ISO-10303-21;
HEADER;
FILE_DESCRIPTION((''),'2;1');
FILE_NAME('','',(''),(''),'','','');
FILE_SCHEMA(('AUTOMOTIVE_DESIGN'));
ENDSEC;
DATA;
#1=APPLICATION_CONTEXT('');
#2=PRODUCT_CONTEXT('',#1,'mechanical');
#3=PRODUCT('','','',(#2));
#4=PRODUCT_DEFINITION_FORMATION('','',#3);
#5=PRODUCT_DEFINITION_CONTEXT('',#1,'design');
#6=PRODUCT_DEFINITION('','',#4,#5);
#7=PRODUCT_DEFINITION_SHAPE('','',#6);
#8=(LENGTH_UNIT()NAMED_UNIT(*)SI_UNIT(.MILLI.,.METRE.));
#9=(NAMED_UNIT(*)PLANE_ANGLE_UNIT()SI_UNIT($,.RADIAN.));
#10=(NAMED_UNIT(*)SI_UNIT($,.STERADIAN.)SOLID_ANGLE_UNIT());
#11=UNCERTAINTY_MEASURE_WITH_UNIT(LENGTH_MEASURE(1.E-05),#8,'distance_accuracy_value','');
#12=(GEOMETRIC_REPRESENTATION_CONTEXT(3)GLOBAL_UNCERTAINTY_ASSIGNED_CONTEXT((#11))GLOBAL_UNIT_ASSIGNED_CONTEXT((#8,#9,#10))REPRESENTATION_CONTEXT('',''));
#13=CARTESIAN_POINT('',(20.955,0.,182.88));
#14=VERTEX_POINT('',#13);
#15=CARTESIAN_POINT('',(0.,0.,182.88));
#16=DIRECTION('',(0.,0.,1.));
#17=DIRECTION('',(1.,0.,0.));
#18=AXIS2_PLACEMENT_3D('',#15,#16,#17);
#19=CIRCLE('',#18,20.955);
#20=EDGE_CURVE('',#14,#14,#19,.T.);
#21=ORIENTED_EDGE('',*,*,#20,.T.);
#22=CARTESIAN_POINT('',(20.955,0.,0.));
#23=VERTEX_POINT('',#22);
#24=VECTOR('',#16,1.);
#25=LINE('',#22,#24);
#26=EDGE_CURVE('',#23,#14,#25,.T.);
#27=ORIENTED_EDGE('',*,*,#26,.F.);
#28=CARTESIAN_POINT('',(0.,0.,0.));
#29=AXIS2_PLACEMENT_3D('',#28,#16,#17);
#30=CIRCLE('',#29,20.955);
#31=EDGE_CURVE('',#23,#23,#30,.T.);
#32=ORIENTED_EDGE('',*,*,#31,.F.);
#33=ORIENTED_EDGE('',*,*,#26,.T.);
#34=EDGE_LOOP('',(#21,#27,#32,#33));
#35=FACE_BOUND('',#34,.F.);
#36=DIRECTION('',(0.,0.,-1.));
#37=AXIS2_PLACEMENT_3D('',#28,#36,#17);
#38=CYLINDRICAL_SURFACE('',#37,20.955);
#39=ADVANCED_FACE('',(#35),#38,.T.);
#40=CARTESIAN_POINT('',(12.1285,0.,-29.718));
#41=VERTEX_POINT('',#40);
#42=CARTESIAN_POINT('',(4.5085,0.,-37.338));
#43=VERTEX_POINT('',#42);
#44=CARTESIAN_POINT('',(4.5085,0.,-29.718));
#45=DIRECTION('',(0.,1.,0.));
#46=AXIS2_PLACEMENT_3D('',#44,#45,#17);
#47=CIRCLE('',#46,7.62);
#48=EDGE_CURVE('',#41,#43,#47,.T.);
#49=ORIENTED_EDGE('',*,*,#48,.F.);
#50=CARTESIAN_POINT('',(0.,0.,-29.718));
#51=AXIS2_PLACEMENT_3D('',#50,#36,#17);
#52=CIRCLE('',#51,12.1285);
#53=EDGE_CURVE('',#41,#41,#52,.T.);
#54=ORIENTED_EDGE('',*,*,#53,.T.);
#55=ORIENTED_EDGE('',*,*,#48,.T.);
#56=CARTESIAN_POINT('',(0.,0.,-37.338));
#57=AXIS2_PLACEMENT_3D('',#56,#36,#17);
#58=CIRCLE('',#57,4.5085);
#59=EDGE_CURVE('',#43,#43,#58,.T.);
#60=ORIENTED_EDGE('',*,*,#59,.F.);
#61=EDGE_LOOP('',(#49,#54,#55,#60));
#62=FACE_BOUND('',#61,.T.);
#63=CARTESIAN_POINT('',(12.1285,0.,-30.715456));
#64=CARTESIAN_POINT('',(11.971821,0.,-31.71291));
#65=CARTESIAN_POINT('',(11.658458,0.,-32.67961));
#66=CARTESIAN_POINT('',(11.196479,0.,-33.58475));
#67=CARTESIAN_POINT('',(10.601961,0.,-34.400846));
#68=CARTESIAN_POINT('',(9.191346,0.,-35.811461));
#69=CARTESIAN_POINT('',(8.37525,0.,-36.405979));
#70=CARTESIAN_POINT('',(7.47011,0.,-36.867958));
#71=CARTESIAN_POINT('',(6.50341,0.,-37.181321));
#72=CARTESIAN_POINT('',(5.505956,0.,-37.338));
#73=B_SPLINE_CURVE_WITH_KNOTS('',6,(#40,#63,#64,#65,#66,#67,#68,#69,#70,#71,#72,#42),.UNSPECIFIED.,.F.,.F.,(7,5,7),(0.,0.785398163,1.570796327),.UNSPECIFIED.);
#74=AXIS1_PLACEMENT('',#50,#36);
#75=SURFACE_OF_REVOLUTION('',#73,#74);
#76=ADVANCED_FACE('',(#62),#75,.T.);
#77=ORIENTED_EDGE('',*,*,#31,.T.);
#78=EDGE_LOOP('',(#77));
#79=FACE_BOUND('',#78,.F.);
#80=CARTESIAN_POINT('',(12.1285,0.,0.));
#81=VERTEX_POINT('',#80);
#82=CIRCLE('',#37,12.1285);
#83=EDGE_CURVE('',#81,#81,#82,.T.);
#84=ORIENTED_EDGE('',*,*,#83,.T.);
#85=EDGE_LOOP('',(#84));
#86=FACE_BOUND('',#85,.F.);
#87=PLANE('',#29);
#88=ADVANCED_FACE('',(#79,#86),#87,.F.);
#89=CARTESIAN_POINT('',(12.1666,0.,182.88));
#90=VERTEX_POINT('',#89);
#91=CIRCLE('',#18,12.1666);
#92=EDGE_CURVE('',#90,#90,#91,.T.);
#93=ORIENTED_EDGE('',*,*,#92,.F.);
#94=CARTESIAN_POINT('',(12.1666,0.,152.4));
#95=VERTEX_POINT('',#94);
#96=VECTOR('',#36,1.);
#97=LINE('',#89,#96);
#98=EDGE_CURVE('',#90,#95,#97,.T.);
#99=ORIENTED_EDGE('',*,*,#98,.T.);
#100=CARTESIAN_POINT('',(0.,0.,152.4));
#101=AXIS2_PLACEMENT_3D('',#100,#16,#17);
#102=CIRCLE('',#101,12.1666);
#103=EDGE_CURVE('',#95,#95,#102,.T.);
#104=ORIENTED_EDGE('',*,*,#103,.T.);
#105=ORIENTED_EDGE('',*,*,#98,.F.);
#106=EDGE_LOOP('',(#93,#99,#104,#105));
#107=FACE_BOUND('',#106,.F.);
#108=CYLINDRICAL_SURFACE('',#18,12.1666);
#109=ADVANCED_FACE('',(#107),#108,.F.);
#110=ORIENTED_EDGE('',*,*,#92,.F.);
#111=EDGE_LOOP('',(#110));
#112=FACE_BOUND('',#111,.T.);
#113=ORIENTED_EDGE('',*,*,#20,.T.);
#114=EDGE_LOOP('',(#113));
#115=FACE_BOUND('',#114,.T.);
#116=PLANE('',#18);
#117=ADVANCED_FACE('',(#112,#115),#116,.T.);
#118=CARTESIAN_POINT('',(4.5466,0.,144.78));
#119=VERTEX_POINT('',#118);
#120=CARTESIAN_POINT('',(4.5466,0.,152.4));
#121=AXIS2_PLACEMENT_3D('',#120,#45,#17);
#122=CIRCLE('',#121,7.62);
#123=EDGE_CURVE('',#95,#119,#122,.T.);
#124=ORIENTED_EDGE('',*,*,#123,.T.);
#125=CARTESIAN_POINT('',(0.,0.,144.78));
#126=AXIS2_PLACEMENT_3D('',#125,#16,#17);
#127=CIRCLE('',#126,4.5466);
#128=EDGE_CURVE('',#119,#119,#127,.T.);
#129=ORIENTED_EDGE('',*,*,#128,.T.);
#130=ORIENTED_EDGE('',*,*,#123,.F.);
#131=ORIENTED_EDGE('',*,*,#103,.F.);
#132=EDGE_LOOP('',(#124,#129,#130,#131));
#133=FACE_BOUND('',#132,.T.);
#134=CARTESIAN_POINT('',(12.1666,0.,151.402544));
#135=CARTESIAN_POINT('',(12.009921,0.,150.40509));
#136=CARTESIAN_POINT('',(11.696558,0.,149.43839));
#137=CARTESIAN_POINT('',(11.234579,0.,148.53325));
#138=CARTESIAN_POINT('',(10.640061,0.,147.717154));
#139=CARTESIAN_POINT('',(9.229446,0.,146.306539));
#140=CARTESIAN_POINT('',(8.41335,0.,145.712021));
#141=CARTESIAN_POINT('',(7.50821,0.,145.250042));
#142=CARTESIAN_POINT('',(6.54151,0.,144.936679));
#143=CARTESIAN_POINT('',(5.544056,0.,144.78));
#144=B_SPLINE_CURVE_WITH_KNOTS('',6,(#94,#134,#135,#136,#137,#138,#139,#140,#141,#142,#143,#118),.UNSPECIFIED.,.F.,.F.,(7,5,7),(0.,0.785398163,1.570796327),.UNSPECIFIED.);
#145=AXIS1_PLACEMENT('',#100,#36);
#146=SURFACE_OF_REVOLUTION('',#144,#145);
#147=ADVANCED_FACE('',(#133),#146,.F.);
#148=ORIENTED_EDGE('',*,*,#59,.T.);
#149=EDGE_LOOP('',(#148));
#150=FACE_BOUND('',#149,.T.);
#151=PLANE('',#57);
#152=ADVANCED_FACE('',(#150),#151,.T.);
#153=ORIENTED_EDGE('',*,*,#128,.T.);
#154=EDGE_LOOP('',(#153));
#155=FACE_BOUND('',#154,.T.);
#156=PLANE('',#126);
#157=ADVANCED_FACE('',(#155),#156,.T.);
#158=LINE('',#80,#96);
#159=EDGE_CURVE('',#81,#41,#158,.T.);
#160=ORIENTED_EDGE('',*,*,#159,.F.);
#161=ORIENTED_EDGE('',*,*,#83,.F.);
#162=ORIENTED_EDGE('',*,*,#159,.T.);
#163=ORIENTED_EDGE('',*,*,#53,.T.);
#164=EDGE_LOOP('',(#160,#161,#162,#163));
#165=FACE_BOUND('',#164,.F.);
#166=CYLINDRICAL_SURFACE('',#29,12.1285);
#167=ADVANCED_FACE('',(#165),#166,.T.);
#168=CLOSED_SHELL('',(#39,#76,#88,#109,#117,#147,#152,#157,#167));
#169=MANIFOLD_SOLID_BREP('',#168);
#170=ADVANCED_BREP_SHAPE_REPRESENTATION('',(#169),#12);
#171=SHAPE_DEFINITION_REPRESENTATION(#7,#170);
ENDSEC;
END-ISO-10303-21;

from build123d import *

# Parameters (mm, degrees)
F0_R     = 20.955
F1_DEPTH = 182.88
F2_R     = 12.1285
F3_DEPTH = 37.338
F4_R     = 7.62
F5_R     = 12.1666
F6_DEPTH = 38.1
F7_R     = 7.62


with BuildPart() as f1:
    # F0 (on Top) → F1 (new body)
    with BuildSketch(Plane.XY):
        Circle(F0_R)
    extrude(amount=F1_DEPTH)

    # F2 (on face) → F3 (join)
    with BuildSketch(Plane(origin=(0, 0, 0), x_dir=(1, 0, 0), z_dir=(0, 0, -1))):
        Circle(F2_R)
    extrude(amount=F3_DEPTH)

    # F4
    f4_edges = [f1.edges().sort_by_distance(p)[0] for p in [
        (-12.1285, 0, -37.338),
    ]]
    fillet(f4_edges, radius=F4_R)

    # F5 (on face) → F6 (cut)
    with BuildSketch(Plane.XY.offset(182.88)):
        Circle(F5_R)
    extrude(amount=-F6_DEPTH, mode=Mode.SUBTRACT)

    # F7
    f7_edges = [f1.edges().sort_by_distance(p)[0] for p in [
        (-12.1666, 0, 144.78),
    ]]
    fillet(f7_edges, radius=F7_R)


solid = f1.part
